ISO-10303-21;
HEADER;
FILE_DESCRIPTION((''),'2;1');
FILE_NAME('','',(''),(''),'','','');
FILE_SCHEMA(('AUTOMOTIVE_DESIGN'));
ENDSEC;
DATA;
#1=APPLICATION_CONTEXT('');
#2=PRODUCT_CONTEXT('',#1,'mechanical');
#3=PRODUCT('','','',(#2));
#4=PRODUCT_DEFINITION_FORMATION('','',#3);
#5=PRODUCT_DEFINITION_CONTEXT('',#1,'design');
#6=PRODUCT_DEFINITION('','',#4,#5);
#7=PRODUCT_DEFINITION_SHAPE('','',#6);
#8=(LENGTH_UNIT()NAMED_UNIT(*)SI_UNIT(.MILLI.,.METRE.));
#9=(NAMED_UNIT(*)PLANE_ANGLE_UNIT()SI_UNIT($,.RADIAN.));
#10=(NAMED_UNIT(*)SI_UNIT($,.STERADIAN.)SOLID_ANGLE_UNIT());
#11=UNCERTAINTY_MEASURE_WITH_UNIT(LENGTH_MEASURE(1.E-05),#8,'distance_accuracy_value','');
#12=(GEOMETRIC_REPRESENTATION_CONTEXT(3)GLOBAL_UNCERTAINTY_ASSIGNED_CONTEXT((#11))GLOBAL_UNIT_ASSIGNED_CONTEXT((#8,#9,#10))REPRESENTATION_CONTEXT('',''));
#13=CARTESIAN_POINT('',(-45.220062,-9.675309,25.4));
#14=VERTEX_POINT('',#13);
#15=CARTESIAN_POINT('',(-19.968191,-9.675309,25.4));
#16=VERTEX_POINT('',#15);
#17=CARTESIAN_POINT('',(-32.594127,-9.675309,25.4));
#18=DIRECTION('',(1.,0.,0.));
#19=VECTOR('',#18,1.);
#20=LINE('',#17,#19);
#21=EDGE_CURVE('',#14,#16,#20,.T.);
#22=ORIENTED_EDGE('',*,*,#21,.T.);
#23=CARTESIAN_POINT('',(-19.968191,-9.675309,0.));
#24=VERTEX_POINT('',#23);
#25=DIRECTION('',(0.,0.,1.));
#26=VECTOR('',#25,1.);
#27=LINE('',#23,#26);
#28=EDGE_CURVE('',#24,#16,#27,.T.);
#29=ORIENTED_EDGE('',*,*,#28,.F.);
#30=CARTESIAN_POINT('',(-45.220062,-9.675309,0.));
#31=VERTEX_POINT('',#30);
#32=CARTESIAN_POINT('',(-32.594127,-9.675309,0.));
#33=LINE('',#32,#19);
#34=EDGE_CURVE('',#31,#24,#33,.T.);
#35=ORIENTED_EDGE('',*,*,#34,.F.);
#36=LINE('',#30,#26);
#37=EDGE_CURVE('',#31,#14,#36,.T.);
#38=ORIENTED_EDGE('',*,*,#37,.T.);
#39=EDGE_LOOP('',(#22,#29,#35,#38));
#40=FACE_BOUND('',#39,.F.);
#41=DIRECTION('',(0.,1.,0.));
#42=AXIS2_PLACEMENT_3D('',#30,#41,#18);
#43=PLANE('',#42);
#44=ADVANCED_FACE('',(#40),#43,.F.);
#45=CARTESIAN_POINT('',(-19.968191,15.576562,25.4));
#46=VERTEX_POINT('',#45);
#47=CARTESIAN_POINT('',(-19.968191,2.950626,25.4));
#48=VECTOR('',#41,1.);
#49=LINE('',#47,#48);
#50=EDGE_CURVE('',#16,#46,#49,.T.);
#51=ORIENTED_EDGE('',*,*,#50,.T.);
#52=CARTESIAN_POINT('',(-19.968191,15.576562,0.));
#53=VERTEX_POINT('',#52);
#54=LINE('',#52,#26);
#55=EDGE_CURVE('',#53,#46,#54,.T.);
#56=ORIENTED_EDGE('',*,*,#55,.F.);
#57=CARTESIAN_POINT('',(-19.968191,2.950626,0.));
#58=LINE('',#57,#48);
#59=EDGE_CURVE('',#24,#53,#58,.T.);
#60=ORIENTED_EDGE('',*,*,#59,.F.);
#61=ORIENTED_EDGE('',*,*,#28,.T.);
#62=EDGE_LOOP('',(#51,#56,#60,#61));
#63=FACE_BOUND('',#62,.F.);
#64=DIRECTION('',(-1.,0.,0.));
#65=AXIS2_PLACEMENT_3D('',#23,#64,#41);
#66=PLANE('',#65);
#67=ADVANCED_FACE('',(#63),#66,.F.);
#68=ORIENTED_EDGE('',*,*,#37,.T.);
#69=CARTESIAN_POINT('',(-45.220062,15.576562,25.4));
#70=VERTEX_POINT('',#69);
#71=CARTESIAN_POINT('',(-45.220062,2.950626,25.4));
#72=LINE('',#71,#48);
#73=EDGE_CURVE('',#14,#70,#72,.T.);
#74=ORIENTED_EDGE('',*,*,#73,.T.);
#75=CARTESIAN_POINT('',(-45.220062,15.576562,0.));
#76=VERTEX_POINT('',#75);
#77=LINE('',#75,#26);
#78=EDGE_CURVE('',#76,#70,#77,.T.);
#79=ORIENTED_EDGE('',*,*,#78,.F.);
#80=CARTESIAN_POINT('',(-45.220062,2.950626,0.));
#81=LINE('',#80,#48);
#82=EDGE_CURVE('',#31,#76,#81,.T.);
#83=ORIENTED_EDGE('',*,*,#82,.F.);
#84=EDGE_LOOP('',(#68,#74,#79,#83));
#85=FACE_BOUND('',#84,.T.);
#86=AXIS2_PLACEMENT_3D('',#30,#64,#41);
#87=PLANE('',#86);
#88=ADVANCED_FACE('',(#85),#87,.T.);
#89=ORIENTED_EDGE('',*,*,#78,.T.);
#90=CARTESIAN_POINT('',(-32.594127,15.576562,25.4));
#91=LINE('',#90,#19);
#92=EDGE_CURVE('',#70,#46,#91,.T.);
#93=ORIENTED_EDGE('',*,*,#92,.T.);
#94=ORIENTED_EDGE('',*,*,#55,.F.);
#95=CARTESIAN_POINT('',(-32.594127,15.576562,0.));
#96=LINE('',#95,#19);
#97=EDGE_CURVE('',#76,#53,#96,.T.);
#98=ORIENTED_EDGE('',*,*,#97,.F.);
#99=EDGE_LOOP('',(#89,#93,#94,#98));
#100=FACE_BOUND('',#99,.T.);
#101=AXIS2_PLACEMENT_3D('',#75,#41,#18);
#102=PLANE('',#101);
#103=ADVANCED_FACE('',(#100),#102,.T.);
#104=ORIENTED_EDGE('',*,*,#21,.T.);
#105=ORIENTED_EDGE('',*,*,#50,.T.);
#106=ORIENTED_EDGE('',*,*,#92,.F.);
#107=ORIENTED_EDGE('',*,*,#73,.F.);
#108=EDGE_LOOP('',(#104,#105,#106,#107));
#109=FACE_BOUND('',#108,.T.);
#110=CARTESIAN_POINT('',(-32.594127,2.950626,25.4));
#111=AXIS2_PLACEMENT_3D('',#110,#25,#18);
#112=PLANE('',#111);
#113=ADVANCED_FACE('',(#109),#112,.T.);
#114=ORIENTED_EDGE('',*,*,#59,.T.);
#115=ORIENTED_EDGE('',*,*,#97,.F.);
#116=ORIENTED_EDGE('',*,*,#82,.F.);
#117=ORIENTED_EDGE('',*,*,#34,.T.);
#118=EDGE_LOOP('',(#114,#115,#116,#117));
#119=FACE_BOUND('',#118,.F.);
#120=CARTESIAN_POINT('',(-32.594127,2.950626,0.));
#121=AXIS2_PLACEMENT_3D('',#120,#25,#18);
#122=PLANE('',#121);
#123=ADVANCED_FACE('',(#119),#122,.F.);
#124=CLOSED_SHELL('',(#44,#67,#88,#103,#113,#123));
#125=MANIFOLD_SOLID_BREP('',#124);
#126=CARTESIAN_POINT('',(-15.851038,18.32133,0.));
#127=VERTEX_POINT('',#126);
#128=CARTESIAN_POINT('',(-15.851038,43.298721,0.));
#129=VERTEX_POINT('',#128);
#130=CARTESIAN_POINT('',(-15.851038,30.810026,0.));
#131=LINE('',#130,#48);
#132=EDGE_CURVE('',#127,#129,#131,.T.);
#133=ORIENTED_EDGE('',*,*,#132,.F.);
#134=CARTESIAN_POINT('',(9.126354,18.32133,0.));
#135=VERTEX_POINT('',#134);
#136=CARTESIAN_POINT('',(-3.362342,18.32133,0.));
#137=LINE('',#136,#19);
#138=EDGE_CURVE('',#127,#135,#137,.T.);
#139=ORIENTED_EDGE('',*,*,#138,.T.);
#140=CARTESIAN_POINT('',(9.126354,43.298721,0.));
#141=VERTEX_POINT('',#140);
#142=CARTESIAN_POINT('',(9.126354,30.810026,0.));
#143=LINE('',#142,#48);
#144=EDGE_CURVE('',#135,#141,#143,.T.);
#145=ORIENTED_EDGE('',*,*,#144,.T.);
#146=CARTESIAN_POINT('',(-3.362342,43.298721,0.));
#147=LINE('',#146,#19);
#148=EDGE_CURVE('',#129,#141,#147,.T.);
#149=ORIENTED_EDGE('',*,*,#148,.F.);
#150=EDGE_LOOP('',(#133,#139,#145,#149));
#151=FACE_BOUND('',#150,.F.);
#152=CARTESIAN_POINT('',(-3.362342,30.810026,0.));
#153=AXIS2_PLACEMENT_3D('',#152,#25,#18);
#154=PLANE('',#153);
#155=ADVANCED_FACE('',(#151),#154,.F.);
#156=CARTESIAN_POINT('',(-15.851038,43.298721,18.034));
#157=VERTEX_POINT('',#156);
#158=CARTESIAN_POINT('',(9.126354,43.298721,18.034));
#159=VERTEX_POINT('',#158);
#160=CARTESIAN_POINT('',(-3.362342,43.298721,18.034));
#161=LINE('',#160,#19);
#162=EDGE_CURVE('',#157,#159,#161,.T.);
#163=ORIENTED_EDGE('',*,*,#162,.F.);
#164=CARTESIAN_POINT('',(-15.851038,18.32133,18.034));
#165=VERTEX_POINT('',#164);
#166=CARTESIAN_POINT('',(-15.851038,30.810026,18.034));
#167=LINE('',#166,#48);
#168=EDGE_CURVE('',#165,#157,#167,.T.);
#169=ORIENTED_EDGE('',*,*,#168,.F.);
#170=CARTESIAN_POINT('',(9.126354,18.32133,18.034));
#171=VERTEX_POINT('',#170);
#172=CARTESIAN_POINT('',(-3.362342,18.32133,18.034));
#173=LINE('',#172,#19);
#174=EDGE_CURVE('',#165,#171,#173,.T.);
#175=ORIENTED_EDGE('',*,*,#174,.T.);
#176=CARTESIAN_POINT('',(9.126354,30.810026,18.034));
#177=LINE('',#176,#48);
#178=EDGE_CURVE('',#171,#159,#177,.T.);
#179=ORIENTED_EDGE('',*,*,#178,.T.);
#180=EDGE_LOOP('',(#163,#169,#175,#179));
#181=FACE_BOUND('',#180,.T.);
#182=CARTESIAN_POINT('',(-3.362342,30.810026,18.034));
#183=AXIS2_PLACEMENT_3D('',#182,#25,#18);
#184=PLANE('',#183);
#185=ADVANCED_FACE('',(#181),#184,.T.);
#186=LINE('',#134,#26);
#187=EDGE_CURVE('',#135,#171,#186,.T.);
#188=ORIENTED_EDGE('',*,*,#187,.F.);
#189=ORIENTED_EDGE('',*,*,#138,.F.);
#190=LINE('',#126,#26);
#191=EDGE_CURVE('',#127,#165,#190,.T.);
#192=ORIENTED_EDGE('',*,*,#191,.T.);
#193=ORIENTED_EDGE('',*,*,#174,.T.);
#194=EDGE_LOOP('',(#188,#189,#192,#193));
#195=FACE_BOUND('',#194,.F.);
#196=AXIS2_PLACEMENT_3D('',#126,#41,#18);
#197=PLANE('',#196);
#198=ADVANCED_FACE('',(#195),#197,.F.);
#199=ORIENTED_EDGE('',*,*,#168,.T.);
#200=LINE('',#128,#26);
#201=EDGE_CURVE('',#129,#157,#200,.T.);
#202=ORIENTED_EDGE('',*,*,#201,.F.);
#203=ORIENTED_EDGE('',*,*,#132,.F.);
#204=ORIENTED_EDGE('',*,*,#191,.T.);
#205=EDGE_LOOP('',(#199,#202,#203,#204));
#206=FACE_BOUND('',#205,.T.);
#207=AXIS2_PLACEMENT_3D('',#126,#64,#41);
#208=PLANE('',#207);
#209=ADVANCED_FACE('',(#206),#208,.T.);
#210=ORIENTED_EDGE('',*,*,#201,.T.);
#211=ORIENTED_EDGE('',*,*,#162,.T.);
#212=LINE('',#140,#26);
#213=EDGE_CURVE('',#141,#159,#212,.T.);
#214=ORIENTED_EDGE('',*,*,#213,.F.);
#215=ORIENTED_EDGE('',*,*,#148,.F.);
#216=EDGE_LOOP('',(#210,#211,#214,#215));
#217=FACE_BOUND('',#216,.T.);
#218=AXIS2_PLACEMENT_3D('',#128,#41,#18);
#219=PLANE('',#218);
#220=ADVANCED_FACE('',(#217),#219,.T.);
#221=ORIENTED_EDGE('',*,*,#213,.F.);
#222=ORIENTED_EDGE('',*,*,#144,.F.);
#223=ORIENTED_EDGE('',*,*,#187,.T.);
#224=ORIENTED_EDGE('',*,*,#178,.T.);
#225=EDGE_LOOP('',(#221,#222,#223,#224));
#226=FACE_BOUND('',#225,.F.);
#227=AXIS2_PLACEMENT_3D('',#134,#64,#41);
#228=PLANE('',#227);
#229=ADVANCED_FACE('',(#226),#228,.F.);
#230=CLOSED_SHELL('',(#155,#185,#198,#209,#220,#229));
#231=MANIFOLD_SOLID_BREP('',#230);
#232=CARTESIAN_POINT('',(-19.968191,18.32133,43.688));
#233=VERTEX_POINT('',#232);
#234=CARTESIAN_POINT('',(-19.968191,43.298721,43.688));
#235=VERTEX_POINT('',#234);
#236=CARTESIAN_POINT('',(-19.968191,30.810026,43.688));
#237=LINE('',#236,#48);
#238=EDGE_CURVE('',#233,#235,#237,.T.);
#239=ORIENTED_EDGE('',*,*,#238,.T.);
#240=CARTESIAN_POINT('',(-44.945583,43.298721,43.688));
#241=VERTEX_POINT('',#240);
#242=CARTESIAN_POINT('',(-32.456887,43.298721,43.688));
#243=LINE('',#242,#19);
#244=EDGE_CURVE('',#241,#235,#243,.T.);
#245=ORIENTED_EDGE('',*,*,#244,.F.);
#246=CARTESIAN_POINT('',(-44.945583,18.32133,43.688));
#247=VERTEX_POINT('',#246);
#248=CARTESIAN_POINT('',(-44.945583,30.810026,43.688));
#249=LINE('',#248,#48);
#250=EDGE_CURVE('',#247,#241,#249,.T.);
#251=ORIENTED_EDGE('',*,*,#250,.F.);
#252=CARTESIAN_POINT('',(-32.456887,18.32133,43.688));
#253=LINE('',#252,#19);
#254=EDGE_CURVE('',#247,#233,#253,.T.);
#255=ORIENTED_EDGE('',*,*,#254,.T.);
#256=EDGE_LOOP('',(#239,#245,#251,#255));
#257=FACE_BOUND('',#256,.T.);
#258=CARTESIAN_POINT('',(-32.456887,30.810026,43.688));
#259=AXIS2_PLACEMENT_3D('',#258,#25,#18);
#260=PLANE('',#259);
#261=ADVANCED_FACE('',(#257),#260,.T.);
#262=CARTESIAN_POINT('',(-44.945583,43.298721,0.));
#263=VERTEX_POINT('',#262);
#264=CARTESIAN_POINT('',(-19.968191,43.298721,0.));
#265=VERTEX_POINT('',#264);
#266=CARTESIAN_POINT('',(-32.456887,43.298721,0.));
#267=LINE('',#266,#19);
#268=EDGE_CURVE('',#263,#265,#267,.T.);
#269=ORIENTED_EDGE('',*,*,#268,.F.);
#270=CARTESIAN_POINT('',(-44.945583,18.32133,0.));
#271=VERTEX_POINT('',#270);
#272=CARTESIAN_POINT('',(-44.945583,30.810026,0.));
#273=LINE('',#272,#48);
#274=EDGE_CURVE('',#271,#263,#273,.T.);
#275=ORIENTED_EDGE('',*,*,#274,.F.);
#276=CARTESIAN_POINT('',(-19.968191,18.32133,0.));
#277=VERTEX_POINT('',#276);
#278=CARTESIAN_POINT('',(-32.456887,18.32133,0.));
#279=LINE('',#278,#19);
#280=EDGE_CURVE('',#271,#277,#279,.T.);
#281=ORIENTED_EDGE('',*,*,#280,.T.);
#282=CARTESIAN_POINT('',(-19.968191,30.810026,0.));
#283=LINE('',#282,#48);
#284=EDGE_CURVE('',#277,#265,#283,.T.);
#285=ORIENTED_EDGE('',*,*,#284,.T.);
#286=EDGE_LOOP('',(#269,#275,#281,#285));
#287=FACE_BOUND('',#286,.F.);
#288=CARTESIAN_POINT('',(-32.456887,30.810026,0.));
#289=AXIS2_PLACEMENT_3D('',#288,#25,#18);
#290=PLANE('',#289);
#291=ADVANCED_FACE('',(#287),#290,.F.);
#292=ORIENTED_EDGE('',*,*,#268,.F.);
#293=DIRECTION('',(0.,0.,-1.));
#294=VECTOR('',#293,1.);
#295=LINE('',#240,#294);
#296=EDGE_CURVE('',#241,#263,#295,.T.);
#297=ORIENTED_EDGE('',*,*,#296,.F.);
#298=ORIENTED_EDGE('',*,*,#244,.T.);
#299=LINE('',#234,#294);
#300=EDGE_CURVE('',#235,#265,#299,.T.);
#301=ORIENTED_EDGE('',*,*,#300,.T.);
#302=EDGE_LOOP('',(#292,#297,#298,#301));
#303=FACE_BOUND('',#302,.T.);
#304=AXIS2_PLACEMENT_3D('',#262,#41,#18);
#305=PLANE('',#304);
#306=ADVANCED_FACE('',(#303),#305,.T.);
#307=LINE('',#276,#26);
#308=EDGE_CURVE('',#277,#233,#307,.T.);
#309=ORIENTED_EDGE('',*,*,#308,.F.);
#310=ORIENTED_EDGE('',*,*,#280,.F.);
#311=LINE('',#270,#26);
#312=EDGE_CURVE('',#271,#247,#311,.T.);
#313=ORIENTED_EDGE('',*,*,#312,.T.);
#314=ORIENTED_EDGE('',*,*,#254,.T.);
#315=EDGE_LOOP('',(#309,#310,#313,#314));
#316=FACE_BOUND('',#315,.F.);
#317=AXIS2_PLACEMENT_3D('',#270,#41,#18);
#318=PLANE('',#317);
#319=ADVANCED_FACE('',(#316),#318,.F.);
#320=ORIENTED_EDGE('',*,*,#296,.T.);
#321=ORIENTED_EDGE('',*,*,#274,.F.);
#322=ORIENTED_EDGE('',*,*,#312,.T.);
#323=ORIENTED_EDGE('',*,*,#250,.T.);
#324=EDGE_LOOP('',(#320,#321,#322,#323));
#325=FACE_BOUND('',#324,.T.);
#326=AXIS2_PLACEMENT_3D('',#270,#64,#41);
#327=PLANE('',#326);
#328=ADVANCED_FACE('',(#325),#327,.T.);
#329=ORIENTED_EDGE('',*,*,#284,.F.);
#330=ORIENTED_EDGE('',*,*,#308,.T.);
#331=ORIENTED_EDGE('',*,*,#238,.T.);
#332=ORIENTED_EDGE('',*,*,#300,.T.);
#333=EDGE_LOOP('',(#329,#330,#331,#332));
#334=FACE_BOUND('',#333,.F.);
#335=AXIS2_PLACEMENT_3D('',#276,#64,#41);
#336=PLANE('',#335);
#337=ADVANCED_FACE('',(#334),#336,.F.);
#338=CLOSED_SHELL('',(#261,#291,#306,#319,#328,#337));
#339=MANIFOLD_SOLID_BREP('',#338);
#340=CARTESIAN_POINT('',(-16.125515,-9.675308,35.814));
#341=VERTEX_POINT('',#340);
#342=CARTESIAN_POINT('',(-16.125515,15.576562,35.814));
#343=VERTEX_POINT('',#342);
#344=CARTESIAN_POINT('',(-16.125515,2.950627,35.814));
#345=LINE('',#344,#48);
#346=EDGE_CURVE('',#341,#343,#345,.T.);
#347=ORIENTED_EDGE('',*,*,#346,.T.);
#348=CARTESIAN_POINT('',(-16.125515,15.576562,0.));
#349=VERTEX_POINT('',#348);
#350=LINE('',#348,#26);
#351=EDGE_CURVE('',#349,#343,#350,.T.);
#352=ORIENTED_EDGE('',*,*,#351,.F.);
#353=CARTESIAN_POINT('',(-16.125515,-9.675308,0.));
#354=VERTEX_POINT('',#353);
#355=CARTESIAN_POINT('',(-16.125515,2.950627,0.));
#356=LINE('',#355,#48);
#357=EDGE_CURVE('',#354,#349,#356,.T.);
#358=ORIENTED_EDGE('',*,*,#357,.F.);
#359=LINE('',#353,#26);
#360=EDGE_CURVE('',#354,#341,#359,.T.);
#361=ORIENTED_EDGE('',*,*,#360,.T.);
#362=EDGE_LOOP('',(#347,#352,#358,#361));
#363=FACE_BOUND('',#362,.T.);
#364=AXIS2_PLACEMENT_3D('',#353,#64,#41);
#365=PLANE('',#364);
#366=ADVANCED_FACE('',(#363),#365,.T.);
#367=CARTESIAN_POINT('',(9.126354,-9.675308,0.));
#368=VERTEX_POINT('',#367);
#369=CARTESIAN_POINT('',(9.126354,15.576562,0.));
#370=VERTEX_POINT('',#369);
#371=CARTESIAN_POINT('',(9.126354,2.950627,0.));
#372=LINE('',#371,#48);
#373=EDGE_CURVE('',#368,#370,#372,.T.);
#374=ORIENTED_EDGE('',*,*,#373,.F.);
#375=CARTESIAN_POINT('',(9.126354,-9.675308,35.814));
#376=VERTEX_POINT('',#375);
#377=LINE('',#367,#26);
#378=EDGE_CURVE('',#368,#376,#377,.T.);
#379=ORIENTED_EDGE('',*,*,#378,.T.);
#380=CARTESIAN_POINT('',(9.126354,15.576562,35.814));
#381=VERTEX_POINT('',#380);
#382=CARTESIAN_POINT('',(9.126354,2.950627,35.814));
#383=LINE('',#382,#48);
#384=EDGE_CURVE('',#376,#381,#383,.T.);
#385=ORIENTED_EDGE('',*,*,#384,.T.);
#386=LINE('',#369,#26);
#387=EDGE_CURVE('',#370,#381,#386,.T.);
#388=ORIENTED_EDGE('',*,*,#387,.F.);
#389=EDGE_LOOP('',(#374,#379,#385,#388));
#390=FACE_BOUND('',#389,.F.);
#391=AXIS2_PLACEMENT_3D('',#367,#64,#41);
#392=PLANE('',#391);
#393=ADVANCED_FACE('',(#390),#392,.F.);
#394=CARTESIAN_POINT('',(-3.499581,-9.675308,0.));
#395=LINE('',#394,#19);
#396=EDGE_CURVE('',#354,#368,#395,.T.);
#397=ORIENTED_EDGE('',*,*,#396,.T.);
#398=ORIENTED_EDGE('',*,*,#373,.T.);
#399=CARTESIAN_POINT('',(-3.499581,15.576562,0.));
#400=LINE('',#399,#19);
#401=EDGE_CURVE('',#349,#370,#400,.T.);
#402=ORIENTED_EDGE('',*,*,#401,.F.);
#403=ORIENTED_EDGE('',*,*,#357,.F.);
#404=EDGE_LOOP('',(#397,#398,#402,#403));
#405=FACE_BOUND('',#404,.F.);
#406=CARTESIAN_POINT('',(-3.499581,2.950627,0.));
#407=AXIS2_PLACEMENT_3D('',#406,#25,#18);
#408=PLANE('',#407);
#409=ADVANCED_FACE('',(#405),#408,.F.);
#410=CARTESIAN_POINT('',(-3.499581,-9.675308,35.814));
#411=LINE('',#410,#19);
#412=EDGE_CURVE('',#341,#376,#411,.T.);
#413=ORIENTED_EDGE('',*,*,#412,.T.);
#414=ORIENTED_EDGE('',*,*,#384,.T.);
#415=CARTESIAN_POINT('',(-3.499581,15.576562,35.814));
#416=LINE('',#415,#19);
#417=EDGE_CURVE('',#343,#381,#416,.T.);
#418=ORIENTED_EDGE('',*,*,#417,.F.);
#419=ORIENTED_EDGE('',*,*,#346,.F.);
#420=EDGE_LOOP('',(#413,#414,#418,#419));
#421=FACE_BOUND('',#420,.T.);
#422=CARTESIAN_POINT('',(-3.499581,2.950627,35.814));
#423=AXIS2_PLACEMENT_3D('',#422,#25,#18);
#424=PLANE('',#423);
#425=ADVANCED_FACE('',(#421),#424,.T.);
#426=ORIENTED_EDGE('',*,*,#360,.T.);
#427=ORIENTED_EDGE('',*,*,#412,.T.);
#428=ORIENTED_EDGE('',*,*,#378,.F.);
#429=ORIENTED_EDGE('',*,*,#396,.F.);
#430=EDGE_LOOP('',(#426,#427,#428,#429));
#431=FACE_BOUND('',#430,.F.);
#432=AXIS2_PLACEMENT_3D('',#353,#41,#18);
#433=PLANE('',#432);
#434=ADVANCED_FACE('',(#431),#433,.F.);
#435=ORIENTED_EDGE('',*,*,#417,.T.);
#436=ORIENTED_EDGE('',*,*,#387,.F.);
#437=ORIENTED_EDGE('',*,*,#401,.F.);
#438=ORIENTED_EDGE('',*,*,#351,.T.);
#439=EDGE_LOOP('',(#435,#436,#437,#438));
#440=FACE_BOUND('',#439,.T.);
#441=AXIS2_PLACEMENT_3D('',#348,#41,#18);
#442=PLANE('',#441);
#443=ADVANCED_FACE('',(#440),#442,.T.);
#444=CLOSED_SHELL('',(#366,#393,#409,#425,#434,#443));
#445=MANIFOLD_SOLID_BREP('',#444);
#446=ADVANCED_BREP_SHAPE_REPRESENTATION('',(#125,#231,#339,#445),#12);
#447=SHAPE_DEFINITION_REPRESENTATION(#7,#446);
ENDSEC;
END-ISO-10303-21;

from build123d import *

# Parameters (mm, degrees)
F0_W     = 24.977392
F0_H     = 24.977391
F1_DEPTH = 18.034
F2_DEPTH = 43.688
F0_W_2   = 25.251871
F0_H_2   = 25.251871
F3_DEPTH = 25.4
F0_W_3   = 25.251869
F0_H_3   = 25.251869
F4_DEPTH = 35.814


with BuildPart() as f1:
    # F0 (on Top) → F1 (new body)
    with BuildSketch(Plane.XY):
        with Locations((-3.362342, 30.810026)):
            Rectangle(F0_W, F0_H)
    extrude(amount=F1_DEPTH)


with BuildPart() as f2:
    # F0 (on Top) → F2 (new body)
    with BuildSketch(Plane.XY):
        with Locations((-32.456887, 30.810026)):
            Rectangle(F0_W, F0_H)
    extrude(amount=F2_DEPTH)

    # F0 (on Top) → F3 (join)
    with BuildSketch(Plane.XY):
        with Locations((-32.456887, 30.810026)):
            Rectangle(F0_W, F0_H)
        with Locations((-32.594127, 2.950626)):
            Rectangle(F0_W_2, F0_H_2)
    extrude(amount=F3_DEPTH)


with BuildPart() as f4:
    # F0 (on Top) → F4 (new body)
    with BuildSketch(Plane.XY):
        with Locations((-3.499581, 2.950627)):
            Rectangle(F0_W_3, F0_H_3)
    extrude(amount=F4_DEPTH)


solid = Compound([f1.part, f2.part, f4.part])
